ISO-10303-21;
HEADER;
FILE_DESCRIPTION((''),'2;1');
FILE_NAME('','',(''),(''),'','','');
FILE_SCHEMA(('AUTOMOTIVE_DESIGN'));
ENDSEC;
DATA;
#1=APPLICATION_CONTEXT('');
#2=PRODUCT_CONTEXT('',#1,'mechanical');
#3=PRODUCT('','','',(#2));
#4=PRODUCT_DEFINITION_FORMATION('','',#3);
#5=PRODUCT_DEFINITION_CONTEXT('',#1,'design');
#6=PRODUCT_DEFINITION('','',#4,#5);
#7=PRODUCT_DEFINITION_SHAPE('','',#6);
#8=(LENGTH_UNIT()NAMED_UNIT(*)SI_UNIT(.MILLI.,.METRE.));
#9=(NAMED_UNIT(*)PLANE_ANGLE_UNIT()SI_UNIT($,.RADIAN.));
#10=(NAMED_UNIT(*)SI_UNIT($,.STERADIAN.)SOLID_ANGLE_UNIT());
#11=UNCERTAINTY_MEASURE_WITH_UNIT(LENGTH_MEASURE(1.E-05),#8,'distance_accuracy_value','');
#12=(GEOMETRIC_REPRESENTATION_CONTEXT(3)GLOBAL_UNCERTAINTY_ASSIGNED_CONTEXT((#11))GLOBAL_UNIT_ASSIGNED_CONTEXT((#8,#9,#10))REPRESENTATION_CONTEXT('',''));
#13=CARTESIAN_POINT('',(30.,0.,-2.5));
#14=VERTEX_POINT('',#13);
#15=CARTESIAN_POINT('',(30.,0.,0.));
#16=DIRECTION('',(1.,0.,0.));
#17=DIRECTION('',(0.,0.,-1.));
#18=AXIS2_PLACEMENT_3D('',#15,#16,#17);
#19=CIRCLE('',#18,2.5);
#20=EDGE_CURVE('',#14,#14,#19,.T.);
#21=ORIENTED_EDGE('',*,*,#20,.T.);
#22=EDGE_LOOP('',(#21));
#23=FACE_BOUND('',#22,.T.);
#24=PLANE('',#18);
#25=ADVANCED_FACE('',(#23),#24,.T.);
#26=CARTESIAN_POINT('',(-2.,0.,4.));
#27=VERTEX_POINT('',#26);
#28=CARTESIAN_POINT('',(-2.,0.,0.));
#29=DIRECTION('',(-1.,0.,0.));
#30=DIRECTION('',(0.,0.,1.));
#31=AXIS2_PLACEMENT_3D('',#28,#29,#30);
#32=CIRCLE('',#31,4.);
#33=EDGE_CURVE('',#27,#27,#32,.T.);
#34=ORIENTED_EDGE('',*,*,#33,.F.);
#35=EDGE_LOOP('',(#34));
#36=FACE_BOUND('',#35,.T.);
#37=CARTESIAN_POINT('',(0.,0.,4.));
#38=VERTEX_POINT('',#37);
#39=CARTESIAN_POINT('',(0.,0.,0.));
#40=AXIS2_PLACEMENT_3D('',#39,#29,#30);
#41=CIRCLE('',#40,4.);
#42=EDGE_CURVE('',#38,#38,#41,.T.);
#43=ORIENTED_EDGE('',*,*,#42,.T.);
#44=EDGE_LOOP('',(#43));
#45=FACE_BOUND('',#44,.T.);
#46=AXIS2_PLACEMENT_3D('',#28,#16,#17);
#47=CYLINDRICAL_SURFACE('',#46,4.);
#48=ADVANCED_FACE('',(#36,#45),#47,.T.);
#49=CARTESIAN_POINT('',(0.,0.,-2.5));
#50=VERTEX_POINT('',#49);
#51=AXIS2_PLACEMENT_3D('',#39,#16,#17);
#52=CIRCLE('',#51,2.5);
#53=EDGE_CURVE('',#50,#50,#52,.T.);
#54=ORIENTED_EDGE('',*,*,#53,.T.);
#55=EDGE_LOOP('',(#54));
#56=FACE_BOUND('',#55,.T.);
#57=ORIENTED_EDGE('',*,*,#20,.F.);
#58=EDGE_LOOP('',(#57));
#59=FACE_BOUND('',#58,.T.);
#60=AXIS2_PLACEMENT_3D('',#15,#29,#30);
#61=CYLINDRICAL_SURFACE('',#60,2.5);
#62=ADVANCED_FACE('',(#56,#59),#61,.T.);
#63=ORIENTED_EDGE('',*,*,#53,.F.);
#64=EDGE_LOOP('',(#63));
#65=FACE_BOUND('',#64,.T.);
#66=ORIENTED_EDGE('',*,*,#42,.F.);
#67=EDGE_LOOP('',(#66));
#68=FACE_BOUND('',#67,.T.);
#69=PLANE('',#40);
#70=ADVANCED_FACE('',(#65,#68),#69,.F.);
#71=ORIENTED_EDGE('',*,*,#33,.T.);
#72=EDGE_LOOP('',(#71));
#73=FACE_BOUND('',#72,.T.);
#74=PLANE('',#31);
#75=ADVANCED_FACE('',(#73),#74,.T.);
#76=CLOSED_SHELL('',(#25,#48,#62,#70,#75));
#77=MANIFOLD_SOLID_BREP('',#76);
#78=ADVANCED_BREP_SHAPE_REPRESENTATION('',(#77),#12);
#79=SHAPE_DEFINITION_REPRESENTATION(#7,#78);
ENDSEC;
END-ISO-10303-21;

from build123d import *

# Parameters (mm, degrees)
SKETCH1_R           = 2.5
BOSS_EXTRUDE1_DEPTH = 30
SKETCH2_R           = 4
BOSS_EXTRUDE2_DEPTH = 2


with BuildPart() as part:
    # Sketch1 → Boss-Extrude1 (new body)
    with BuildSketch(Plane.YZ):
        with Locations(Location((0, 0, 0), (0, 0, 270))):
            Circle(SKETCH1_R)
    extrude(amount=BOSS_EXTRUDE1_DEPTH)

    # Sketch2 → Boss-Extrude2 (add)
    with BuildSketch(Plane(origin=(0, 0, 0), x_dir=(0, -1, 0), z_dir=(-1, 0, 0))):
        with Locations(Location((0, 0, 0), (0, 0, 90))):
            Circle(SKETCH2_R)
    extrude(amount=BOSS_EXTRUDE2_DEPTH)


solid = part.part
